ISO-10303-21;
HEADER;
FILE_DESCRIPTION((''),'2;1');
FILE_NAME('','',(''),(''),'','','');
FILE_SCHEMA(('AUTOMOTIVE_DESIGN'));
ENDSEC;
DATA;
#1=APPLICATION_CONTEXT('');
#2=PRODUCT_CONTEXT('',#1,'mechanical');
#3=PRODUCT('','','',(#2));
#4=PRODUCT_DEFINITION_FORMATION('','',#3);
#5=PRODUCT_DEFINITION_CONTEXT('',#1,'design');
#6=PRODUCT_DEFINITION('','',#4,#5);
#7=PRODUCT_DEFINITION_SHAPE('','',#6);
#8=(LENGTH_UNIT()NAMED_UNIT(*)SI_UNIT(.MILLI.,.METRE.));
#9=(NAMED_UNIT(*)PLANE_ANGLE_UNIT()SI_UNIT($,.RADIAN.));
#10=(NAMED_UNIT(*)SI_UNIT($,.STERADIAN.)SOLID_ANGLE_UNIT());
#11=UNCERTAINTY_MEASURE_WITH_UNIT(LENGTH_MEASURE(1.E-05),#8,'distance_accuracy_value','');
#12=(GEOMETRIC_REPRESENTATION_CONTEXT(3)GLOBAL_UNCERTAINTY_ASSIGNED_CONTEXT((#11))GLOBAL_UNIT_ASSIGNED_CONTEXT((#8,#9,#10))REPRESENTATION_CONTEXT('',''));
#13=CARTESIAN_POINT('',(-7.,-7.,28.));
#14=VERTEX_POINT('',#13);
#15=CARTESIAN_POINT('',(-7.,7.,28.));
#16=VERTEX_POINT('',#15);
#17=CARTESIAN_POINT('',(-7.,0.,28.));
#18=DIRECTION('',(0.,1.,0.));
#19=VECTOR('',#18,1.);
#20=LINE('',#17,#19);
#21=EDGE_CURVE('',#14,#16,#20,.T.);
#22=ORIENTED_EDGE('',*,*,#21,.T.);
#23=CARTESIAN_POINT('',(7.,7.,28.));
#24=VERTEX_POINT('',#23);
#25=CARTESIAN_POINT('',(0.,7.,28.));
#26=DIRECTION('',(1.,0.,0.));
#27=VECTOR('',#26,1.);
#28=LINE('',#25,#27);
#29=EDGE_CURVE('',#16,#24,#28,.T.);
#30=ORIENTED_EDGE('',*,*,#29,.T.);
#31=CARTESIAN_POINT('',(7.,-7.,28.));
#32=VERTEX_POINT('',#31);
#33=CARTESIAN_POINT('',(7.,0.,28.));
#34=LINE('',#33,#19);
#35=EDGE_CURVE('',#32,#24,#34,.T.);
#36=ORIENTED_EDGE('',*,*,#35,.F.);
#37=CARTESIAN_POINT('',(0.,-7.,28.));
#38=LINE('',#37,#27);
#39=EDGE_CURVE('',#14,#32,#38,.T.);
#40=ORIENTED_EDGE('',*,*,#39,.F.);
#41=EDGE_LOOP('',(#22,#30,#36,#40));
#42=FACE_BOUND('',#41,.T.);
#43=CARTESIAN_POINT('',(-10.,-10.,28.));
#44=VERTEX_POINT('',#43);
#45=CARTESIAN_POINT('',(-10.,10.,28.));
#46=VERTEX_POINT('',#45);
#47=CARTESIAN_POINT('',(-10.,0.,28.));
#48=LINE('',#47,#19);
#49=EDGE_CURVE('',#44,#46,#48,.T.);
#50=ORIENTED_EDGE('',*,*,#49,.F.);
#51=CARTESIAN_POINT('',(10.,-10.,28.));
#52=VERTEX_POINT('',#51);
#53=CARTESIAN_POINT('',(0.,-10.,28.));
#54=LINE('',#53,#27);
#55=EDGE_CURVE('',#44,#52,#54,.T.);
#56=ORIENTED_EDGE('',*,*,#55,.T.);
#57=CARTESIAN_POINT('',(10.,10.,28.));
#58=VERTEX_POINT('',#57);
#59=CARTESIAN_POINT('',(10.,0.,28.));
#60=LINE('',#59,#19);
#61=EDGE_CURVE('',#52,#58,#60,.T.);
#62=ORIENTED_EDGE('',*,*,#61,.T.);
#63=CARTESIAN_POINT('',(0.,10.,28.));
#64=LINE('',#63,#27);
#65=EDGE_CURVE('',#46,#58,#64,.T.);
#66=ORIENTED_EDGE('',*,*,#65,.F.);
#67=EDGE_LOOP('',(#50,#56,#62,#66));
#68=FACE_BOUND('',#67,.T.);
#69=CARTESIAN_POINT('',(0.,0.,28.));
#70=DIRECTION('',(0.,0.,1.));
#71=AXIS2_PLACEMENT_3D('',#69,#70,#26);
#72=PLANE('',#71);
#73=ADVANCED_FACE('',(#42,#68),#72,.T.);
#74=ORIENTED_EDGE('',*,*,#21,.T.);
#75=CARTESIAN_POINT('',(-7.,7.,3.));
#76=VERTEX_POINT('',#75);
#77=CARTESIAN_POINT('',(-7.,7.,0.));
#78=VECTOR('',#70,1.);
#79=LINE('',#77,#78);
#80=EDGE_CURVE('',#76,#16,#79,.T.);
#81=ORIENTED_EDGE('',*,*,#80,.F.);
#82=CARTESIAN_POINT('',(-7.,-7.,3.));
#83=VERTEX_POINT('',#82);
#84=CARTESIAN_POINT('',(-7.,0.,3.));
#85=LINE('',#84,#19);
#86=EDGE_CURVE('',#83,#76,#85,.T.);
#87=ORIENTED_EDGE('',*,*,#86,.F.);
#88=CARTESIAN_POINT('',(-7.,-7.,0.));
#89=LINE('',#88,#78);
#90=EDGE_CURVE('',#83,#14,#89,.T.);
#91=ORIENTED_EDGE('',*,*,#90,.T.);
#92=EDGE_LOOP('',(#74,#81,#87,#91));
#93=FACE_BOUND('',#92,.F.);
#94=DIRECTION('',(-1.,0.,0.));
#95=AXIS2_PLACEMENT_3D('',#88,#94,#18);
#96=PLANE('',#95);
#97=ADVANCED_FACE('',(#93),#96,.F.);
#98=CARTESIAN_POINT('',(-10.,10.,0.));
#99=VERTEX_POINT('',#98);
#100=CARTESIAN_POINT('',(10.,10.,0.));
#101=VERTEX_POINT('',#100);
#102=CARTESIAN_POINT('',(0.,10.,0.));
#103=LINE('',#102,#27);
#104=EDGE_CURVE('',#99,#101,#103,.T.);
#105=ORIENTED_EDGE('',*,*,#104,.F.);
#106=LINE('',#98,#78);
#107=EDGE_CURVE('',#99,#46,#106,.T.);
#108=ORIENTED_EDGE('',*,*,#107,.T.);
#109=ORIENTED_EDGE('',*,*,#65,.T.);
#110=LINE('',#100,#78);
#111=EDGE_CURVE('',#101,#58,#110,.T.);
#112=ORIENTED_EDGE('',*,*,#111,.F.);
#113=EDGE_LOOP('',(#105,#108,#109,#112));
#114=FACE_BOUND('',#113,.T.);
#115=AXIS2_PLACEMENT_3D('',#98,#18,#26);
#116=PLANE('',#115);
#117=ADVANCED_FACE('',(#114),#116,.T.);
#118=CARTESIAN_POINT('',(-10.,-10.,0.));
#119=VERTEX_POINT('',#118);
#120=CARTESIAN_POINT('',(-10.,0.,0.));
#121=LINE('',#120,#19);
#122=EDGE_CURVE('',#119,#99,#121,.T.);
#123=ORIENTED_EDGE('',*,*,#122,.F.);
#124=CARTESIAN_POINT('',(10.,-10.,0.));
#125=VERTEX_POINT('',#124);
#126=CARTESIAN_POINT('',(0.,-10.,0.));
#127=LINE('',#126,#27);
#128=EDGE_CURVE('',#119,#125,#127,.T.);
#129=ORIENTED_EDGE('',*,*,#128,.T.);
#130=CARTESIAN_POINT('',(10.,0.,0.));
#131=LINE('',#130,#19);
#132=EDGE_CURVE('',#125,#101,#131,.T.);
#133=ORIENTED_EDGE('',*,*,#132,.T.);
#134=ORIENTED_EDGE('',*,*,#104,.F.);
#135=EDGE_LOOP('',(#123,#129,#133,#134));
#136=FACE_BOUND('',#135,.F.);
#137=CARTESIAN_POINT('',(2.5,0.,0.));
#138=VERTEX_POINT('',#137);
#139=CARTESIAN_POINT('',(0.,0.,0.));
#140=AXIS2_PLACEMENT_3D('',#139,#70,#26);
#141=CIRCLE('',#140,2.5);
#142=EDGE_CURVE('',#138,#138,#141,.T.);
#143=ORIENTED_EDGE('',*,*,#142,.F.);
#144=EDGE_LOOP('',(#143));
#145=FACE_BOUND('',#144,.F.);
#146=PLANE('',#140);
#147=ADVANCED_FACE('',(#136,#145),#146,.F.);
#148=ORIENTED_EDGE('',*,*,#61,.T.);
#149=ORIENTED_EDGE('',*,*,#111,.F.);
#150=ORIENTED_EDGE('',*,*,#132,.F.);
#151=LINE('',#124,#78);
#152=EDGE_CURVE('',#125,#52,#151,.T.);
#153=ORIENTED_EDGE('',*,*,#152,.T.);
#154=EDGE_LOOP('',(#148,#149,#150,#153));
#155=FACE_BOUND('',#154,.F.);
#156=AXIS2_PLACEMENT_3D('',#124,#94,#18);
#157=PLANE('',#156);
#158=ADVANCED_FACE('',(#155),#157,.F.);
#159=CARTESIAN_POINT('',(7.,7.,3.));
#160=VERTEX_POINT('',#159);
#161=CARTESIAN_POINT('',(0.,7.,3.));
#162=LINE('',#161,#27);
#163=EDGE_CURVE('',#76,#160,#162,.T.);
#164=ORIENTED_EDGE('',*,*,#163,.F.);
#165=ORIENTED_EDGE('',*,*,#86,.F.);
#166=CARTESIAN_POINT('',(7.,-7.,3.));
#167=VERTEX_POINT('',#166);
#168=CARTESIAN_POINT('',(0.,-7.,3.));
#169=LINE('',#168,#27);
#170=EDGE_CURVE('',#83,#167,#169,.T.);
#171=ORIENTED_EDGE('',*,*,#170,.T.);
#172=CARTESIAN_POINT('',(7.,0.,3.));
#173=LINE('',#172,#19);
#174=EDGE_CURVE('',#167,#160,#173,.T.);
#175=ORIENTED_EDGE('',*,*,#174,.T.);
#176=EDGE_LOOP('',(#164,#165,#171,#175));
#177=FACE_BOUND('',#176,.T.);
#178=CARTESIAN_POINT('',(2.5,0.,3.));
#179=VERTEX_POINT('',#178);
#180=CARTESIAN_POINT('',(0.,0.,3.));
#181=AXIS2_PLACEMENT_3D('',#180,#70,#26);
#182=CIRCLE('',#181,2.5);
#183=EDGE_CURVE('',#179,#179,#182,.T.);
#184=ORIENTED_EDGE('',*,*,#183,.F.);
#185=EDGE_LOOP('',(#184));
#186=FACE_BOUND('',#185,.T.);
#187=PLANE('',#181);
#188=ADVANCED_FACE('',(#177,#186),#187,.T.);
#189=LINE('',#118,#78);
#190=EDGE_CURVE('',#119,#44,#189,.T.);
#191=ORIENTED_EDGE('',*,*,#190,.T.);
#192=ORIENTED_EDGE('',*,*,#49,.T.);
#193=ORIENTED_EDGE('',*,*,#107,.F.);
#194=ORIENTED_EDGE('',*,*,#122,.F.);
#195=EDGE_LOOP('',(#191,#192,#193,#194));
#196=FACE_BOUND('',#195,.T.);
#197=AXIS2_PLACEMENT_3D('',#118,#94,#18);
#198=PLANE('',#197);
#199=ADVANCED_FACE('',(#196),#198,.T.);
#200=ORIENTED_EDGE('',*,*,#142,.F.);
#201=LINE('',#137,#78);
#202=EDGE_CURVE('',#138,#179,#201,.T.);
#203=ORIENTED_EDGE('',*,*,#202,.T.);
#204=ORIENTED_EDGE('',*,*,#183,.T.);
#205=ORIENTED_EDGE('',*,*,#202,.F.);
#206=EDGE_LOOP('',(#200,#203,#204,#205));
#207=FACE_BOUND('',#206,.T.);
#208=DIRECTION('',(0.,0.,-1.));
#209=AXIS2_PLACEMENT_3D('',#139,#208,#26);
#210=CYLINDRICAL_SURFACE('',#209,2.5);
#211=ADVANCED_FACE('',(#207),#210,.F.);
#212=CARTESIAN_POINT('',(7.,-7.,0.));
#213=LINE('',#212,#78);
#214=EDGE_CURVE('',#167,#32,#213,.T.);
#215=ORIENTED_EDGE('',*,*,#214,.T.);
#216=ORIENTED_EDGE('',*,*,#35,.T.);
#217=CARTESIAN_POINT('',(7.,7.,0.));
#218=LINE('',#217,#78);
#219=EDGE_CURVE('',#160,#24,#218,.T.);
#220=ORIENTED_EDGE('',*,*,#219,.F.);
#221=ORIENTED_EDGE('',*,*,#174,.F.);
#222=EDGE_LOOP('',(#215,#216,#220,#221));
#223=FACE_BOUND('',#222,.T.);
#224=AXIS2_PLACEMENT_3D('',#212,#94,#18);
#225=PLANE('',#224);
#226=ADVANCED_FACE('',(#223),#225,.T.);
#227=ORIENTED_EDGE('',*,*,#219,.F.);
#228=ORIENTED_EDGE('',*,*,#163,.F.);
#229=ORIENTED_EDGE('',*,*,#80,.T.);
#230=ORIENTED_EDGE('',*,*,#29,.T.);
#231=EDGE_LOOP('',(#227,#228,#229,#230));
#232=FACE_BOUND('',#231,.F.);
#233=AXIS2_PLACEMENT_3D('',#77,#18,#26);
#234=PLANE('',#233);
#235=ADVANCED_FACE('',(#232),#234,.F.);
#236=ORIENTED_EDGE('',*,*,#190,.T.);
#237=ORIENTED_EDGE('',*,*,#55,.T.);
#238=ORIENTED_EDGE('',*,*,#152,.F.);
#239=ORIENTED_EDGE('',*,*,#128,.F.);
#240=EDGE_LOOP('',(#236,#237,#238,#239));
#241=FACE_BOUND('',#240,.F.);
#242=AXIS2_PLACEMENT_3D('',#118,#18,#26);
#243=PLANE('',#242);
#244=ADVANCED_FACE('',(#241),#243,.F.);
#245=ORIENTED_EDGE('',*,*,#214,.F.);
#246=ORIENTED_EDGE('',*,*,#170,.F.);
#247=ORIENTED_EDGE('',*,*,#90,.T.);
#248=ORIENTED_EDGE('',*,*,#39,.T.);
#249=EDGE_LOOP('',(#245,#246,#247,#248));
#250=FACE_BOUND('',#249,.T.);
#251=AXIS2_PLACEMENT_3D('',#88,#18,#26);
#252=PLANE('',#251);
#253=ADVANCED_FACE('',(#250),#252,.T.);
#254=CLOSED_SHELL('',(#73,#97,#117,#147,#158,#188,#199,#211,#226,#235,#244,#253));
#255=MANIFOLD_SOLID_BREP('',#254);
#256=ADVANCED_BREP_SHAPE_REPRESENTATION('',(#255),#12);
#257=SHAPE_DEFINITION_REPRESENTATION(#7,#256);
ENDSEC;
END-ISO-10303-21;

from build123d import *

# Parameters (mm, degrees)
F0_W     = 20
F0_H     = 20
F0_W_2   = 14
F0_H_2   = 14
F1_DEPTH = 28
F0_R     = 2.5
F2_DEPTH = 3


with BuildPart() as f1:
    # F0 (on Top) → F1 (new body)
    with BuildSketch(Plane.XY):
        Rectangle(F0_W, F0_H)
        Rectangle(F0_W_2, F0_H_2, mode=Mode.SUBTRACT)
    extrude(amount=F1_DEPTH)

    # F0 (on Top) → F2 (join)
    with BuildSketch(Plane.XY):
        Rectangle(F0_W_2, F0_H_2)
        Circle(F0_R, mode=Mode.SUBTRACT)
    extrude(amount=F2_DEPTH)


solid = f1.part
